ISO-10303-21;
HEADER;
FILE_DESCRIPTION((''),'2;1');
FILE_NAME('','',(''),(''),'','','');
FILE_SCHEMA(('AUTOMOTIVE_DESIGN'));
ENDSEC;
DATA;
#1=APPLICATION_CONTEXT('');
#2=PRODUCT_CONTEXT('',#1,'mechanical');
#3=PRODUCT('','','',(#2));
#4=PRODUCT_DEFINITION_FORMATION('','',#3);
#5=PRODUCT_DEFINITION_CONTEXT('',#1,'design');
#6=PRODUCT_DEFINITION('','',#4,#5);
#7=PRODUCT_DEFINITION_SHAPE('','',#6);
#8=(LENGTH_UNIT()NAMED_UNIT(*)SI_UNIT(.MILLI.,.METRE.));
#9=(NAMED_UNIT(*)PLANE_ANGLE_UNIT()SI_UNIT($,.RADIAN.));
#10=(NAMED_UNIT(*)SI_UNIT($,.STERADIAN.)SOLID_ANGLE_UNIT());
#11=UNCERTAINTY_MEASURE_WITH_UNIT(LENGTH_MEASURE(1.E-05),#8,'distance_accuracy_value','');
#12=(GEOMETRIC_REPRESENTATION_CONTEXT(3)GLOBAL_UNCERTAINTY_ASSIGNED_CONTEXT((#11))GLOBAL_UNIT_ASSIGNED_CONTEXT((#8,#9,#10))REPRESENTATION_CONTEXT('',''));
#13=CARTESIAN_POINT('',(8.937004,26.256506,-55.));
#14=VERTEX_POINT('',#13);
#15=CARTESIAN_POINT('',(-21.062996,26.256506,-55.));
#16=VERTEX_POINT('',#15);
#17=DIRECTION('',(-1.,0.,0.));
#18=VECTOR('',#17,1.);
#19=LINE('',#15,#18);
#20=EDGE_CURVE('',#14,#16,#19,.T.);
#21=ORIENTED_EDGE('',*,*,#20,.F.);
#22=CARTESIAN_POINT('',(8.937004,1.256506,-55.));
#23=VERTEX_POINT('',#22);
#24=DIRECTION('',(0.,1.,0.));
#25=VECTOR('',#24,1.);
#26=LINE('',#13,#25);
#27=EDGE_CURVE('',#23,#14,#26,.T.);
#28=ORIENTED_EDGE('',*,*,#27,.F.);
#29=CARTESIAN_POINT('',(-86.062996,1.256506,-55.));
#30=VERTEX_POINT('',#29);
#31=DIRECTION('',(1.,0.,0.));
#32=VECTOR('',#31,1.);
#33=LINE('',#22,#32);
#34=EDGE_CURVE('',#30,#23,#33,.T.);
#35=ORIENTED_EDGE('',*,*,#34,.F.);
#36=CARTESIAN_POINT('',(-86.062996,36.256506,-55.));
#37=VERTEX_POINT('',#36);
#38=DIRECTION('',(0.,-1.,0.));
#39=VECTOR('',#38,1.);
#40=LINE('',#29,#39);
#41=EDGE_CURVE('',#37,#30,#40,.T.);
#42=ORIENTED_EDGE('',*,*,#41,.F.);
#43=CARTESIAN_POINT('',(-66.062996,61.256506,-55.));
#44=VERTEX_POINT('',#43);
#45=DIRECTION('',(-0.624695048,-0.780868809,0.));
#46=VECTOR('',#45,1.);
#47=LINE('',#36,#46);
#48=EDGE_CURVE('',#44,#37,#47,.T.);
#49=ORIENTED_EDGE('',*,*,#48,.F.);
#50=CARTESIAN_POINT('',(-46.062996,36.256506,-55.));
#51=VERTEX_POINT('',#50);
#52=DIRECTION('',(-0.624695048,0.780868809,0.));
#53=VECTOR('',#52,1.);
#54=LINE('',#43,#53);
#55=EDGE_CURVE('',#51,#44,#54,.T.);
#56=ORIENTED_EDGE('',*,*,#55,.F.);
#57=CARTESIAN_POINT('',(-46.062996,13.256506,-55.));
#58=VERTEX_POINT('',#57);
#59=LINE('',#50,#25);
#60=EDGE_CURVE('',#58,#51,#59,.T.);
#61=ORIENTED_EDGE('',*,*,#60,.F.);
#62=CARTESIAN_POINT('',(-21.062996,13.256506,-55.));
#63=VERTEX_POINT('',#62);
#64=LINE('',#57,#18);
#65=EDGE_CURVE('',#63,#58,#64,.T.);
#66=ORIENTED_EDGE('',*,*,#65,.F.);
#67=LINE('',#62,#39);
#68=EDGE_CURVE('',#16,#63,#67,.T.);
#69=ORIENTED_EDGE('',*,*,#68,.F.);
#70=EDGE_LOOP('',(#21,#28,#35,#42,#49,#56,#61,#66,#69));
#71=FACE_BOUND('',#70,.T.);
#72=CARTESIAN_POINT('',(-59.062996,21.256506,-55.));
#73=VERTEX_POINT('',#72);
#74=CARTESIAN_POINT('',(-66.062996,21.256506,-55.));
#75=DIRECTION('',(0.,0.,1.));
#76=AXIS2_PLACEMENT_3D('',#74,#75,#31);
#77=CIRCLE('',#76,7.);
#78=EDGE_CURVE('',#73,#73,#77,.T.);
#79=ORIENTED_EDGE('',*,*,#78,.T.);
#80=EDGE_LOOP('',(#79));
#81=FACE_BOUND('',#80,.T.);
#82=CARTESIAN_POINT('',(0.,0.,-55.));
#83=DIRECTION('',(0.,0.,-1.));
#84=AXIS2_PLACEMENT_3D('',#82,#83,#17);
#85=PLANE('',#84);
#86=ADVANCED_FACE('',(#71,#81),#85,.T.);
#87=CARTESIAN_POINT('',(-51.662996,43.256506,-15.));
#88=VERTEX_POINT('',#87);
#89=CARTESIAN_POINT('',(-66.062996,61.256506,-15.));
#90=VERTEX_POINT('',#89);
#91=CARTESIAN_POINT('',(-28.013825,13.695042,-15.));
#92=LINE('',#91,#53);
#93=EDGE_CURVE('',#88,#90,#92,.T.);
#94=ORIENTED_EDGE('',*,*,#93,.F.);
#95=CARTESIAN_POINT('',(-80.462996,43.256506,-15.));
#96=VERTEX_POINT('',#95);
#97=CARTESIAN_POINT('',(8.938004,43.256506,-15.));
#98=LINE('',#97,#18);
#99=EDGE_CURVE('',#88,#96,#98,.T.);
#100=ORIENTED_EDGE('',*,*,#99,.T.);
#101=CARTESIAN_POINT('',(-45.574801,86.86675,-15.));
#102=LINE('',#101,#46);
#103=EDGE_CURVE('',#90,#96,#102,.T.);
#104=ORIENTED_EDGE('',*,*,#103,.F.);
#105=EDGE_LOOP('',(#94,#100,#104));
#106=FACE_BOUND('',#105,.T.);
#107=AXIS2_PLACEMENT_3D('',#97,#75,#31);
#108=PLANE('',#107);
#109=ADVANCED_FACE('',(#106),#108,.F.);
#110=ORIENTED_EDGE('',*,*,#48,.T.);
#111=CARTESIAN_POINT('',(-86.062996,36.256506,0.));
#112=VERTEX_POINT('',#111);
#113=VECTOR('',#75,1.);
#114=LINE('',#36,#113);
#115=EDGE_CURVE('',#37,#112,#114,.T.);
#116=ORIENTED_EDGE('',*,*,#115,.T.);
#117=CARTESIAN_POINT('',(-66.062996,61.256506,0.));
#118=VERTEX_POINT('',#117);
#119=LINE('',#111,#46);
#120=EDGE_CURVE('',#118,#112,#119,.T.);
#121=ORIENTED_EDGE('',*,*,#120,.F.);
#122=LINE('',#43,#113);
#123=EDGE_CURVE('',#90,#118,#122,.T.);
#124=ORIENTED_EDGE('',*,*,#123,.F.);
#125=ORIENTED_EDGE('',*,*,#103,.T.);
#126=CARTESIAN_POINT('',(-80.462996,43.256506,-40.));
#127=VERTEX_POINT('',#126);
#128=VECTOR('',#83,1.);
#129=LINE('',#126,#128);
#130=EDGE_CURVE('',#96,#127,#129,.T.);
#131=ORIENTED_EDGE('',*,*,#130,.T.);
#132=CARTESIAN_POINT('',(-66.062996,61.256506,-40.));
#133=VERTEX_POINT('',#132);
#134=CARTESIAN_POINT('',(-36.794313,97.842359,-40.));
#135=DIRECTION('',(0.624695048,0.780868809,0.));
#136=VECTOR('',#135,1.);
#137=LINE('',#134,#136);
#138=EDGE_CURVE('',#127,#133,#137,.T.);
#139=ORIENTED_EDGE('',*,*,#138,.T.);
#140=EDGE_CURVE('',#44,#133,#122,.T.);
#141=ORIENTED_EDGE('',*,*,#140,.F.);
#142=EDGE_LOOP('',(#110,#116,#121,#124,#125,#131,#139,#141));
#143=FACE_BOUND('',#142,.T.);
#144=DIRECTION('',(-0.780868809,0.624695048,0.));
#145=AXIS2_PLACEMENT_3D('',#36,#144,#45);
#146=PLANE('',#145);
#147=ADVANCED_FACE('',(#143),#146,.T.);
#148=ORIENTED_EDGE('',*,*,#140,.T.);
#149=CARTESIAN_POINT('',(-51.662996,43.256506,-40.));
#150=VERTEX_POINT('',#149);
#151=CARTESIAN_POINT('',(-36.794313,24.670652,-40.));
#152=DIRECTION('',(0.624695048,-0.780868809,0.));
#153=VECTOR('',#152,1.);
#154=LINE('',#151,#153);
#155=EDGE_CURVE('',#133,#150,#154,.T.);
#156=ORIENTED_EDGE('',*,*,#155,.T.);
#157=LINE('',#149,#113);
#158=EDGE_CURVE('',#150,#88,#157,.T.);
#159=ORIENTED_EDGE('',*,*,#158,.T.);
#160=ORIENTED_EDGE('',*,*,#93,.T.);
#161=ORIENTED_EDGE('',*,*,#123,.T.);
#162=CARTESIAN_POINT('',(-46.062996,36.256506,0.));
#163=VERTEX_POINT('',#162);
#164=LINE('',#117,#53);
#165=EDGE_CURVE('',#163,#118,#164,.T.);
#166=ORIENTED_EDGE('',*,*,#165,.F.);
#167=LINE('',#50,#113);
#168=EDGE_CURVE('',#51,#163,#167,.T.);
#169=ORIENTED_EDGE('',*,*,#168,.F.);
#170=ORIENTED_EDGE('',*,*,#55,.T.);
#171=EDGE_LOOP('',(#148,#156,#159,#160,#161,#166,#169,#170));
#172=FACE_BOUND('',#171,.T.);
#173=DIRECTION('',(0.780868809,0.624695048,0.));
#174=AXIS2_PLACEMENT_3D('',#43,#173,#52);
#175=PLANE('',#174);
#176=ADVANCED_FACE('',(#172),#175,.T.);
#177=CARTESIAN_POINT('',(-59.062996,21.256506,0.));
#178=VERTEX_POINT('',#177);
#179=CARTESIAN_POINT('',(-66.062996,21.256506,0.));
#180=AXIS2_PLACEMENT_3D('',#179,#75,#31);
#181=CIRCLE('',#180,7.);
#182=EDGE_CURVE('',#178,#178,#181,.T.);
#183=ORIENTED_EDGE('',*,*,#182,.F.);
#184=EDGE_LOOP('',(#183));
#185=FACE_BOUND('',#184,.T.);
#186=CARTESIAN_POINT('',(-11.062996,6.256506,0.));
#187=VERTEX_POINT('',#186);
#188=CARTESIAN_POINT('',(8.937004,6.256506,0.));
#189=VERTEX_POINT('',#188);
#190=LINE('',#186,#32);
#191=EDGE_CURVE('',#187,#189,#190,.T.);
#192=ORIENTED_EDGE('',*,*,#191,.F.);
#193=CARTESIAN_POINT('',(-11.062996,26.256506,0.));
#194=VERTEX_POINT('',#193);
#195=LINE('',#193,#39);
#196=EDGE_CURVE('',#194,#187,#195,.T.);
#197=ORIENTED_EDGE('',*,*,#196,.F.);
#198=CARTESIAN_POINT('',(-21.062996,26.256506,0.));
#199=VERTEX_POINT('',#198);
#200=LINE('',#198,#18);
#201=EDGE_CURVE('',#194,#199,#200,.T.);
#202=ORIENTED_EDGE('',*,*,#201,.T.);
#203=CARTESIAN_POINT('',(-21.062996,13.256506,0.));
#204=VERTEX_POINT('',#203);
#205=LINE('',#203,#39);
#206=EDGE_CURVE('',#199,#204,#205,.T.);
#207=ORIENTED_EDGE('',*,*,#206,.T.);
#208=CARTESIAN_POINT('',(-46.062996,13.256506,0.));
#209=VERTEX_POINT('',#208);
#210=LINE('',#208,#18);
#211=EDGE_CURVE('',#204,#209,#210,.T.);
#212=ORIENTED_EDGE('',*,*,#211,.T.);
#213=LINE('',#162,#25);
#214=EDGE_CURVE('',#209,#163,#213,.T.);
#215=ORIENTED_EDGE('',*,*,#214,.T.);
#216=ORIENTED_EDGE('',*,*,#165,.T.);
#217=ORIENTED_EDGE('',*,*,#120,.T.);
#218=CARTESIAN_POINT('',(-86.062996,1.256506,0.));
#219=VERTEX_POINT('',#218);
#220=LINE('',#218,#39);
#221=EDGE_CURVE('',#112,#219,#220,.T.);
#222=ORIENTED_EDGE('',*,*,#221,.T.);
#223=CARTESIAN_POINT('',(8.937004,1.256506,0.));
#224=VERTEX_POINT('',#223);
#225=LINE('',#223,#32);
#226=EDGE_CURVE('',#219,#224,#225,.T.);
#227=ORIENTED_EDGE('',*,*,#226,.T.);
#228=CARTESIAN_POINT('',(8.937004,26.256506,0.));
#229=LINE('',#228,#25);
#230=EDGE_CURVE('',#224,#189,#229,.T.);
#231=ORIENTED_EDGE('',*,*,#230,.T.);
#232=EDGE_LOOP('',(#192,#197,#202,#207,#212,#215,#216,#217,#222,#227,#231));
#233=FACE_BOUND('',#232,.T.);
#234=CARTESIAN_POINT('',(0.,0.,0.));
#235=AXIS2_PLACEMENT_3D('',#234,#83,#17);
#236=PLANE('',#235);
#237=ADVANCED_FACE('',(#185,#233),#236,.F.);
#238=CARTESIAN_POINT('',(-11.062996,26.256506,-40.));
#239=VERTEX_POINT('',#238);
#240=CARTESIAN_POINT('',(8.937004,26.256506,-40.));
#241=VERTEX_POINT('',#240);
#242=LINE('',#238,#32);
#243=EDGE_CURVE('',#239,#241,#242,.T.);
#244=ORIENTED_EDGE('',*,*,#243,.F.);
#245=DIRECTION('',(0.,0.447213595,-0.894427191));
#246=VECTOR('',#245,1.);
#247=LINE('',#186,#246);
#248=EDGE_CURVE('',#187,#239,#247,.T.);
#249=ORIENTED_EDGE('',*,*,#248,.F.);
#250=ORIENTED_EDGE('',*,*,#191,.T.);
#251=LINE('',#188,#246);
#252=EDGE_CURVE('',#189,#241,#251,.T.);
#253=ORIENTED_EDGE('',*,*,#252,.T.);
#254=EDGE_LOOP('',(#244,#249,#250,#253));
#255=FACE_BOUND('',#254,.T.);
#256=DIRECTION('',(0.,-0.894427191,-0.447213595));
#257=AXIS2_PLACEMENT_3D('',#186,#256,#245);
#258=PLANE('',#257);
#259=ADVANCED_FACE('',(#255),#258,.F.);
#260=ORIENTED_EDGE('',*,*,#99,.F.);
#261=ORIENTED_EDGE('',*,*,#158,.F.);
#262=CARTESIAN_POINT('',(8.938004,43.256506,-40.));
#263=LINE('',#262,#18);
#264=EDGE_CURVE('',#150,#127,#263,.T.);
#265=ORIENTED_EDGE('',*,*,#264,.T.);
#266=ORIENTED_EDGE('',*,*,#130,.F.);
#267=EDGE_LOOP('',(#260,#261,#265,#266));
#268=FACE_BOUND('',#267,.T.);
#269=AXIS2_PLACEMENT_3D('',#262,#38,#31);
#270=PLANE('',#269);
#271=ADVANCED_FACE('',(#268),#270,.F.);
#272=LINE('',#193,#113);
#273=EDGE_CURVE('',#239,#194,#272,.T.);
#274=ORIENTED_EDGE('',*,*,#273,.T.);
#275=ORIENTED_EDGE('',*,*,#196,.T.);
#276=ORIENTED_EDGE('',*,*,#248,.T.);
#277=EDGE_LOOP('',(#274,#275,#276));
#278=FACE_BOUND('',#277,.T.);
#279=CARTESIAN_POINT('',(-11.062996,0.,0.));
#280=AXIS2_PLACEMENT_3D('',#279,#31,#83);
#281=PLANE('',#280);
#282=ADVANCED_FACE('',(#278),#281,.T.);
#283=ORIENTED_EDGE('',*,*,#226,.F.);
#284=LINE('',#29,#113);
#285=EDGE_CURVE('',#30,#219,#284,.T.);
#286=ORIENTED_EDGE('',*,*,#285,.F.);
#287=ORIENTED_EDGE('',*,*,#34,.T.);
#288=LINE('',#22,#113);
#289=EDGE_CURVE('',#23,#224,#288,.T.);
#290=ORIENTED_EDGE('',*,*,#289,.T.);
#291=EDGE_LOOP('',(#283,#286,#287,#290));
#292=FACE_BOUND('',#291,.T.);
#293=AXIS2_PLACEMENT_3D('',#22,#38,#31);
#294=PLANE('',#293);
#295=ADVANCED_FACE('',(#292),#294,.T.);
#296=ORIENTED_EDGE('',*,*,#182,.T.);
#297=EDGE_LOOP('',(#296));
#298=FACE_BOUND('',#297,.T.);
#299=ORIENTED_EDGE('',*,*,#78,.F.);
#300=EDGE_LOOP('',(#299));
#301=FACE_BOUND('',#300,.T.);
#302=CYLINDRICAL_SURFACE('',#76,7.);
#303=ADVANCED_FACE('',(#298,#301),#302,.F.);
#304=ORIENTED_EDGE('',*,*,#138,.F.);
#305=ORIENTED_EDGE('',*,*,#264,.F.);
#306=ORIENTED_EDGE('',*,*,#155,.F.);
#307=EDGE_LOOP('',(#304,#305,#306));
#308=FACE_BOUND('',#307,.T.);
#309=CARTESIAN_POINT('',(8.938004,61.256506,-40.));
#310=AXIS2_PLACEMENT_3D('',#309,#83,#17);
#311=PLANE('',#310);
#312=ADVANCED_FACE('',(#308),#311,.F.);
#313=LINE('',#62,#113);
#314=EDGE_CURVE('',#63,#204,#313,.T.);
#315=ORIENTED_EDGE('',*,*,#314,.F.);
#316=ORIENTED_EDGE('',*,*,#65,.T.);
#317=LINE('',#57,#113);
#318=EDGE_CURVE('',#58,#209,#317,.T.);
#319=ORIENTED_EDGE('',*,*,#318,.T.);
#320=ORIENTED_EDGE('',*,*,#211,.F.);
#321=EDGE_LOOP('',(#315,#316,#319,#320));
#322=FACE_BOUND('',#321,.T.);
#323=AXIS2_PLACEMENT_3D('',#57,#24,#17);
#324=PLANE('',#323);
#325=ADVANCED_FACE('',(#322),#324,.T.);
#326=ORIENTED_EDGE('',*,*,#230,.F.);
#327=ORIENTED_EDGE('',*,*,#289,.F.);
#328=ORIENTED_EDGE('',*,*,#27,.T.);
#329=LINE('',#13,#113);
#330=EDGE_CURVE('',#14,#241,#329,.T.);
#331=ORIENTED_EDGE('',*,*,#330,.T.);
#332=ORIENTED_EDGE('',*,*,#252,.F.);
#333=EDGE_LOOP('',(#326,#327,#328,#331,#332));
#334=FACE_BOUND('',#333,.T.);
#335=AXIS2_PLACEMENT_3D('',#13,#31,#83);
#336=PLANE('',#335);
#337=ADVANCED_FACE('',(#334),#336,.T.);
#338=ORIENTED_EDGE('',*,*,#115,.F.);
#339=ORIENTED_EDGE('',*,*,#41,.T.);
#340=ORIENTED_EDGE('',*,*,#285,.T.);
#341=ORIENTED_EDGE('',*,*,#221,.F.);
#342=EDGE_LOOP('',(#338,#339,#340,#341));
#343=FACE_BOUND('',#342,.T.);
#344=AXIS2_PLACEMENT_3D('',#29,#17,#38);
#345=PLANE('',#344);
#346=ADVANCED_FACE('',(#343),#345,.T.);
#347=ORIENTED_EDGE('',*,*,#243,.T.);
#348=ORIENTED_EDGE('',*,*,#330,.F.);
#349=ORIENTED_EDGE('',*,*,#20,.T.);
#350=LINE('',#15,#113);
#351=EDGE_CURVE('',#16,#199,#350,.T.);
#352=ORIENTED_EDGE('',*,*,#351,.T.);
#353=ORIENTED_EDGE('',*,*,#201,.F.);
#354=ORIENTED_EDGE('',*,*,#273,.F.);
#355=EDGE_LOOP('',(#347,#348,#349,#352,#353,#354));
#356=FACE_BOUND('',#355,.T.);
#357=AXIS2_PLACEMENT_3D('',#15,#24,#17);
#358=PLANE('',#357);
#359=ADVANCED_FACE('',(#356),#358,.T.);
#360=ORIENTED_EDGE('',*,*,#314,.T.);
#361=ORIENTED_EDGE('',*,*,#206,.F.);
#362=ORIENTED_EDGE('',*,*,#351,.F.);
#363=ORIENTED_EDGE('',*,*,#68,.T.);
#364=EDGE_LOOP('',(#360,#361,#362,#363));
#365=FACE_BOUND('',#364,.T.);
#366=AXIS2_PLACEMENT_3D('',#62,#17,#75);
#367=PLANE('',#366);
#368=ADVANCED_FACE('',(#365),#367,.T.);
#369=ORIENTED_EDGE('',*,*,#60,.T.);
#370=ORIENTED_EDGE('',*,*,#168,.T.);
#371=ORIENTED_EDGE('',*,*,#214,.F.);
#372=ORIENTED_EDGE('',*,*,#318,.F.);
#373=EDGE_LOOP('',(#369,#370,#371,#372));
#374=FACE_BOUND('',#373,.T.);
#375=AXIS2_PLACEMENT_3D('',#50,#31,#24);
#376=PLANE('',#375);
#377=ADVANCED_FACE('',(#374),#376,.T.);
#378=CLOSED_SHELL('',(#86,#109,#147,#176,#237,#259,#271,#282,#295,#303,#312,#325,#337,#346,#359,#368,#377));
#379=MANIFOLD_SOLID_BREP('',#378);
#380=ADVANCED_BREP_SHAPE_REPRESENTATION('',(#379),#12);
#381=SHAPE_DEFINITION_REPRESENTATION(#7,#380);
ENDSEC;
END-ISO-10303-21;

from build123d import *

# Parameters (mm, degrees)
ESBO_O1_R                = 7
RESSALTO_EXTRUS_O1_DEPTH = 55
CORTE_EXTRUS_O1_REACH    = 127.707
ESBO_O2_W                = 25
ESBO_O2_H                = 18
CORTE_EXTRUS_O2_DEPTH    = 20


with BuildPart() as part:
    # Esboço1 → Ressalto-extrusão1 (new body)
    with BuildSketch(Plane.XY):
        Polygon((-86.062995877, 1.256505599), (-86.062995877, 36.256505599), (-66.062995877, 61.256505599), (-46.062995877, 36.256505599), (-46.062995877, 13.256505599), (-21.062995877, 13.256505599), (-21.062995877, 26.256505599), (8.937004123, 26.256505599), (8.937004123, 1.256505599), align=None)
        with Locations((-66.062995877, 21.256505599)):
            Circle(ESBO_O1_R, mode=Mode.SUBTRACT)
    extrude(amount=-RESSALTO_EXTRUS_O1_DEPTH)

    # Corte-extrusão1: up to this plane
    corte_extrus_o1_end = Plane(origin=(-66.062995877, 61.256505599, -55), z_dir=(0.7808688094430304, 0.6246950475544243, 0))
    # Esboço2 → Corte-extrusão1 (cut, up to the surface)
    with BuildSketch(Plane.ZY.offset(86.062995877), mode=Mode.PRIVATE) as corte_extrus_o1_sk1:
        with Locations((-27.5, 52.256505599)):
            Rectangle(ESBO_O2_W, ESBO_O2_H)
    corte_extrus_o1_tool1 = split(extrude(corte_extrus_o1_sk1.sketch, amount=-CORTE_EXTRUS_O1_REACH, mode=Mode.PRIVATE), bisect_by=corte_extrus_o1_end, keep=Keep.BOTH, mode=Mode.PRIVATE)
    add(corte_extrus_o1_tool1.solids().sort_by_distance((-86.062996, 52.256506, -27.5))[0], mode=Mode.SUBTRACT)

    # Esboço3 → Corte-extrusão2 (cut)
    with BuildSketch(Plane(origin=(8.937004123, 0, 0), x_dir=(0, 0, -1), z_dir=(1, 0, 0))):
        Polygon((0, 6.256505599), (40, 26.256505599), (0, 26.256505599), align=None)
    extrude(amount=-CORTE_EXTRUS_O2_DEPTH, mode=Mode.SUBTRACT)


solid = part.part
